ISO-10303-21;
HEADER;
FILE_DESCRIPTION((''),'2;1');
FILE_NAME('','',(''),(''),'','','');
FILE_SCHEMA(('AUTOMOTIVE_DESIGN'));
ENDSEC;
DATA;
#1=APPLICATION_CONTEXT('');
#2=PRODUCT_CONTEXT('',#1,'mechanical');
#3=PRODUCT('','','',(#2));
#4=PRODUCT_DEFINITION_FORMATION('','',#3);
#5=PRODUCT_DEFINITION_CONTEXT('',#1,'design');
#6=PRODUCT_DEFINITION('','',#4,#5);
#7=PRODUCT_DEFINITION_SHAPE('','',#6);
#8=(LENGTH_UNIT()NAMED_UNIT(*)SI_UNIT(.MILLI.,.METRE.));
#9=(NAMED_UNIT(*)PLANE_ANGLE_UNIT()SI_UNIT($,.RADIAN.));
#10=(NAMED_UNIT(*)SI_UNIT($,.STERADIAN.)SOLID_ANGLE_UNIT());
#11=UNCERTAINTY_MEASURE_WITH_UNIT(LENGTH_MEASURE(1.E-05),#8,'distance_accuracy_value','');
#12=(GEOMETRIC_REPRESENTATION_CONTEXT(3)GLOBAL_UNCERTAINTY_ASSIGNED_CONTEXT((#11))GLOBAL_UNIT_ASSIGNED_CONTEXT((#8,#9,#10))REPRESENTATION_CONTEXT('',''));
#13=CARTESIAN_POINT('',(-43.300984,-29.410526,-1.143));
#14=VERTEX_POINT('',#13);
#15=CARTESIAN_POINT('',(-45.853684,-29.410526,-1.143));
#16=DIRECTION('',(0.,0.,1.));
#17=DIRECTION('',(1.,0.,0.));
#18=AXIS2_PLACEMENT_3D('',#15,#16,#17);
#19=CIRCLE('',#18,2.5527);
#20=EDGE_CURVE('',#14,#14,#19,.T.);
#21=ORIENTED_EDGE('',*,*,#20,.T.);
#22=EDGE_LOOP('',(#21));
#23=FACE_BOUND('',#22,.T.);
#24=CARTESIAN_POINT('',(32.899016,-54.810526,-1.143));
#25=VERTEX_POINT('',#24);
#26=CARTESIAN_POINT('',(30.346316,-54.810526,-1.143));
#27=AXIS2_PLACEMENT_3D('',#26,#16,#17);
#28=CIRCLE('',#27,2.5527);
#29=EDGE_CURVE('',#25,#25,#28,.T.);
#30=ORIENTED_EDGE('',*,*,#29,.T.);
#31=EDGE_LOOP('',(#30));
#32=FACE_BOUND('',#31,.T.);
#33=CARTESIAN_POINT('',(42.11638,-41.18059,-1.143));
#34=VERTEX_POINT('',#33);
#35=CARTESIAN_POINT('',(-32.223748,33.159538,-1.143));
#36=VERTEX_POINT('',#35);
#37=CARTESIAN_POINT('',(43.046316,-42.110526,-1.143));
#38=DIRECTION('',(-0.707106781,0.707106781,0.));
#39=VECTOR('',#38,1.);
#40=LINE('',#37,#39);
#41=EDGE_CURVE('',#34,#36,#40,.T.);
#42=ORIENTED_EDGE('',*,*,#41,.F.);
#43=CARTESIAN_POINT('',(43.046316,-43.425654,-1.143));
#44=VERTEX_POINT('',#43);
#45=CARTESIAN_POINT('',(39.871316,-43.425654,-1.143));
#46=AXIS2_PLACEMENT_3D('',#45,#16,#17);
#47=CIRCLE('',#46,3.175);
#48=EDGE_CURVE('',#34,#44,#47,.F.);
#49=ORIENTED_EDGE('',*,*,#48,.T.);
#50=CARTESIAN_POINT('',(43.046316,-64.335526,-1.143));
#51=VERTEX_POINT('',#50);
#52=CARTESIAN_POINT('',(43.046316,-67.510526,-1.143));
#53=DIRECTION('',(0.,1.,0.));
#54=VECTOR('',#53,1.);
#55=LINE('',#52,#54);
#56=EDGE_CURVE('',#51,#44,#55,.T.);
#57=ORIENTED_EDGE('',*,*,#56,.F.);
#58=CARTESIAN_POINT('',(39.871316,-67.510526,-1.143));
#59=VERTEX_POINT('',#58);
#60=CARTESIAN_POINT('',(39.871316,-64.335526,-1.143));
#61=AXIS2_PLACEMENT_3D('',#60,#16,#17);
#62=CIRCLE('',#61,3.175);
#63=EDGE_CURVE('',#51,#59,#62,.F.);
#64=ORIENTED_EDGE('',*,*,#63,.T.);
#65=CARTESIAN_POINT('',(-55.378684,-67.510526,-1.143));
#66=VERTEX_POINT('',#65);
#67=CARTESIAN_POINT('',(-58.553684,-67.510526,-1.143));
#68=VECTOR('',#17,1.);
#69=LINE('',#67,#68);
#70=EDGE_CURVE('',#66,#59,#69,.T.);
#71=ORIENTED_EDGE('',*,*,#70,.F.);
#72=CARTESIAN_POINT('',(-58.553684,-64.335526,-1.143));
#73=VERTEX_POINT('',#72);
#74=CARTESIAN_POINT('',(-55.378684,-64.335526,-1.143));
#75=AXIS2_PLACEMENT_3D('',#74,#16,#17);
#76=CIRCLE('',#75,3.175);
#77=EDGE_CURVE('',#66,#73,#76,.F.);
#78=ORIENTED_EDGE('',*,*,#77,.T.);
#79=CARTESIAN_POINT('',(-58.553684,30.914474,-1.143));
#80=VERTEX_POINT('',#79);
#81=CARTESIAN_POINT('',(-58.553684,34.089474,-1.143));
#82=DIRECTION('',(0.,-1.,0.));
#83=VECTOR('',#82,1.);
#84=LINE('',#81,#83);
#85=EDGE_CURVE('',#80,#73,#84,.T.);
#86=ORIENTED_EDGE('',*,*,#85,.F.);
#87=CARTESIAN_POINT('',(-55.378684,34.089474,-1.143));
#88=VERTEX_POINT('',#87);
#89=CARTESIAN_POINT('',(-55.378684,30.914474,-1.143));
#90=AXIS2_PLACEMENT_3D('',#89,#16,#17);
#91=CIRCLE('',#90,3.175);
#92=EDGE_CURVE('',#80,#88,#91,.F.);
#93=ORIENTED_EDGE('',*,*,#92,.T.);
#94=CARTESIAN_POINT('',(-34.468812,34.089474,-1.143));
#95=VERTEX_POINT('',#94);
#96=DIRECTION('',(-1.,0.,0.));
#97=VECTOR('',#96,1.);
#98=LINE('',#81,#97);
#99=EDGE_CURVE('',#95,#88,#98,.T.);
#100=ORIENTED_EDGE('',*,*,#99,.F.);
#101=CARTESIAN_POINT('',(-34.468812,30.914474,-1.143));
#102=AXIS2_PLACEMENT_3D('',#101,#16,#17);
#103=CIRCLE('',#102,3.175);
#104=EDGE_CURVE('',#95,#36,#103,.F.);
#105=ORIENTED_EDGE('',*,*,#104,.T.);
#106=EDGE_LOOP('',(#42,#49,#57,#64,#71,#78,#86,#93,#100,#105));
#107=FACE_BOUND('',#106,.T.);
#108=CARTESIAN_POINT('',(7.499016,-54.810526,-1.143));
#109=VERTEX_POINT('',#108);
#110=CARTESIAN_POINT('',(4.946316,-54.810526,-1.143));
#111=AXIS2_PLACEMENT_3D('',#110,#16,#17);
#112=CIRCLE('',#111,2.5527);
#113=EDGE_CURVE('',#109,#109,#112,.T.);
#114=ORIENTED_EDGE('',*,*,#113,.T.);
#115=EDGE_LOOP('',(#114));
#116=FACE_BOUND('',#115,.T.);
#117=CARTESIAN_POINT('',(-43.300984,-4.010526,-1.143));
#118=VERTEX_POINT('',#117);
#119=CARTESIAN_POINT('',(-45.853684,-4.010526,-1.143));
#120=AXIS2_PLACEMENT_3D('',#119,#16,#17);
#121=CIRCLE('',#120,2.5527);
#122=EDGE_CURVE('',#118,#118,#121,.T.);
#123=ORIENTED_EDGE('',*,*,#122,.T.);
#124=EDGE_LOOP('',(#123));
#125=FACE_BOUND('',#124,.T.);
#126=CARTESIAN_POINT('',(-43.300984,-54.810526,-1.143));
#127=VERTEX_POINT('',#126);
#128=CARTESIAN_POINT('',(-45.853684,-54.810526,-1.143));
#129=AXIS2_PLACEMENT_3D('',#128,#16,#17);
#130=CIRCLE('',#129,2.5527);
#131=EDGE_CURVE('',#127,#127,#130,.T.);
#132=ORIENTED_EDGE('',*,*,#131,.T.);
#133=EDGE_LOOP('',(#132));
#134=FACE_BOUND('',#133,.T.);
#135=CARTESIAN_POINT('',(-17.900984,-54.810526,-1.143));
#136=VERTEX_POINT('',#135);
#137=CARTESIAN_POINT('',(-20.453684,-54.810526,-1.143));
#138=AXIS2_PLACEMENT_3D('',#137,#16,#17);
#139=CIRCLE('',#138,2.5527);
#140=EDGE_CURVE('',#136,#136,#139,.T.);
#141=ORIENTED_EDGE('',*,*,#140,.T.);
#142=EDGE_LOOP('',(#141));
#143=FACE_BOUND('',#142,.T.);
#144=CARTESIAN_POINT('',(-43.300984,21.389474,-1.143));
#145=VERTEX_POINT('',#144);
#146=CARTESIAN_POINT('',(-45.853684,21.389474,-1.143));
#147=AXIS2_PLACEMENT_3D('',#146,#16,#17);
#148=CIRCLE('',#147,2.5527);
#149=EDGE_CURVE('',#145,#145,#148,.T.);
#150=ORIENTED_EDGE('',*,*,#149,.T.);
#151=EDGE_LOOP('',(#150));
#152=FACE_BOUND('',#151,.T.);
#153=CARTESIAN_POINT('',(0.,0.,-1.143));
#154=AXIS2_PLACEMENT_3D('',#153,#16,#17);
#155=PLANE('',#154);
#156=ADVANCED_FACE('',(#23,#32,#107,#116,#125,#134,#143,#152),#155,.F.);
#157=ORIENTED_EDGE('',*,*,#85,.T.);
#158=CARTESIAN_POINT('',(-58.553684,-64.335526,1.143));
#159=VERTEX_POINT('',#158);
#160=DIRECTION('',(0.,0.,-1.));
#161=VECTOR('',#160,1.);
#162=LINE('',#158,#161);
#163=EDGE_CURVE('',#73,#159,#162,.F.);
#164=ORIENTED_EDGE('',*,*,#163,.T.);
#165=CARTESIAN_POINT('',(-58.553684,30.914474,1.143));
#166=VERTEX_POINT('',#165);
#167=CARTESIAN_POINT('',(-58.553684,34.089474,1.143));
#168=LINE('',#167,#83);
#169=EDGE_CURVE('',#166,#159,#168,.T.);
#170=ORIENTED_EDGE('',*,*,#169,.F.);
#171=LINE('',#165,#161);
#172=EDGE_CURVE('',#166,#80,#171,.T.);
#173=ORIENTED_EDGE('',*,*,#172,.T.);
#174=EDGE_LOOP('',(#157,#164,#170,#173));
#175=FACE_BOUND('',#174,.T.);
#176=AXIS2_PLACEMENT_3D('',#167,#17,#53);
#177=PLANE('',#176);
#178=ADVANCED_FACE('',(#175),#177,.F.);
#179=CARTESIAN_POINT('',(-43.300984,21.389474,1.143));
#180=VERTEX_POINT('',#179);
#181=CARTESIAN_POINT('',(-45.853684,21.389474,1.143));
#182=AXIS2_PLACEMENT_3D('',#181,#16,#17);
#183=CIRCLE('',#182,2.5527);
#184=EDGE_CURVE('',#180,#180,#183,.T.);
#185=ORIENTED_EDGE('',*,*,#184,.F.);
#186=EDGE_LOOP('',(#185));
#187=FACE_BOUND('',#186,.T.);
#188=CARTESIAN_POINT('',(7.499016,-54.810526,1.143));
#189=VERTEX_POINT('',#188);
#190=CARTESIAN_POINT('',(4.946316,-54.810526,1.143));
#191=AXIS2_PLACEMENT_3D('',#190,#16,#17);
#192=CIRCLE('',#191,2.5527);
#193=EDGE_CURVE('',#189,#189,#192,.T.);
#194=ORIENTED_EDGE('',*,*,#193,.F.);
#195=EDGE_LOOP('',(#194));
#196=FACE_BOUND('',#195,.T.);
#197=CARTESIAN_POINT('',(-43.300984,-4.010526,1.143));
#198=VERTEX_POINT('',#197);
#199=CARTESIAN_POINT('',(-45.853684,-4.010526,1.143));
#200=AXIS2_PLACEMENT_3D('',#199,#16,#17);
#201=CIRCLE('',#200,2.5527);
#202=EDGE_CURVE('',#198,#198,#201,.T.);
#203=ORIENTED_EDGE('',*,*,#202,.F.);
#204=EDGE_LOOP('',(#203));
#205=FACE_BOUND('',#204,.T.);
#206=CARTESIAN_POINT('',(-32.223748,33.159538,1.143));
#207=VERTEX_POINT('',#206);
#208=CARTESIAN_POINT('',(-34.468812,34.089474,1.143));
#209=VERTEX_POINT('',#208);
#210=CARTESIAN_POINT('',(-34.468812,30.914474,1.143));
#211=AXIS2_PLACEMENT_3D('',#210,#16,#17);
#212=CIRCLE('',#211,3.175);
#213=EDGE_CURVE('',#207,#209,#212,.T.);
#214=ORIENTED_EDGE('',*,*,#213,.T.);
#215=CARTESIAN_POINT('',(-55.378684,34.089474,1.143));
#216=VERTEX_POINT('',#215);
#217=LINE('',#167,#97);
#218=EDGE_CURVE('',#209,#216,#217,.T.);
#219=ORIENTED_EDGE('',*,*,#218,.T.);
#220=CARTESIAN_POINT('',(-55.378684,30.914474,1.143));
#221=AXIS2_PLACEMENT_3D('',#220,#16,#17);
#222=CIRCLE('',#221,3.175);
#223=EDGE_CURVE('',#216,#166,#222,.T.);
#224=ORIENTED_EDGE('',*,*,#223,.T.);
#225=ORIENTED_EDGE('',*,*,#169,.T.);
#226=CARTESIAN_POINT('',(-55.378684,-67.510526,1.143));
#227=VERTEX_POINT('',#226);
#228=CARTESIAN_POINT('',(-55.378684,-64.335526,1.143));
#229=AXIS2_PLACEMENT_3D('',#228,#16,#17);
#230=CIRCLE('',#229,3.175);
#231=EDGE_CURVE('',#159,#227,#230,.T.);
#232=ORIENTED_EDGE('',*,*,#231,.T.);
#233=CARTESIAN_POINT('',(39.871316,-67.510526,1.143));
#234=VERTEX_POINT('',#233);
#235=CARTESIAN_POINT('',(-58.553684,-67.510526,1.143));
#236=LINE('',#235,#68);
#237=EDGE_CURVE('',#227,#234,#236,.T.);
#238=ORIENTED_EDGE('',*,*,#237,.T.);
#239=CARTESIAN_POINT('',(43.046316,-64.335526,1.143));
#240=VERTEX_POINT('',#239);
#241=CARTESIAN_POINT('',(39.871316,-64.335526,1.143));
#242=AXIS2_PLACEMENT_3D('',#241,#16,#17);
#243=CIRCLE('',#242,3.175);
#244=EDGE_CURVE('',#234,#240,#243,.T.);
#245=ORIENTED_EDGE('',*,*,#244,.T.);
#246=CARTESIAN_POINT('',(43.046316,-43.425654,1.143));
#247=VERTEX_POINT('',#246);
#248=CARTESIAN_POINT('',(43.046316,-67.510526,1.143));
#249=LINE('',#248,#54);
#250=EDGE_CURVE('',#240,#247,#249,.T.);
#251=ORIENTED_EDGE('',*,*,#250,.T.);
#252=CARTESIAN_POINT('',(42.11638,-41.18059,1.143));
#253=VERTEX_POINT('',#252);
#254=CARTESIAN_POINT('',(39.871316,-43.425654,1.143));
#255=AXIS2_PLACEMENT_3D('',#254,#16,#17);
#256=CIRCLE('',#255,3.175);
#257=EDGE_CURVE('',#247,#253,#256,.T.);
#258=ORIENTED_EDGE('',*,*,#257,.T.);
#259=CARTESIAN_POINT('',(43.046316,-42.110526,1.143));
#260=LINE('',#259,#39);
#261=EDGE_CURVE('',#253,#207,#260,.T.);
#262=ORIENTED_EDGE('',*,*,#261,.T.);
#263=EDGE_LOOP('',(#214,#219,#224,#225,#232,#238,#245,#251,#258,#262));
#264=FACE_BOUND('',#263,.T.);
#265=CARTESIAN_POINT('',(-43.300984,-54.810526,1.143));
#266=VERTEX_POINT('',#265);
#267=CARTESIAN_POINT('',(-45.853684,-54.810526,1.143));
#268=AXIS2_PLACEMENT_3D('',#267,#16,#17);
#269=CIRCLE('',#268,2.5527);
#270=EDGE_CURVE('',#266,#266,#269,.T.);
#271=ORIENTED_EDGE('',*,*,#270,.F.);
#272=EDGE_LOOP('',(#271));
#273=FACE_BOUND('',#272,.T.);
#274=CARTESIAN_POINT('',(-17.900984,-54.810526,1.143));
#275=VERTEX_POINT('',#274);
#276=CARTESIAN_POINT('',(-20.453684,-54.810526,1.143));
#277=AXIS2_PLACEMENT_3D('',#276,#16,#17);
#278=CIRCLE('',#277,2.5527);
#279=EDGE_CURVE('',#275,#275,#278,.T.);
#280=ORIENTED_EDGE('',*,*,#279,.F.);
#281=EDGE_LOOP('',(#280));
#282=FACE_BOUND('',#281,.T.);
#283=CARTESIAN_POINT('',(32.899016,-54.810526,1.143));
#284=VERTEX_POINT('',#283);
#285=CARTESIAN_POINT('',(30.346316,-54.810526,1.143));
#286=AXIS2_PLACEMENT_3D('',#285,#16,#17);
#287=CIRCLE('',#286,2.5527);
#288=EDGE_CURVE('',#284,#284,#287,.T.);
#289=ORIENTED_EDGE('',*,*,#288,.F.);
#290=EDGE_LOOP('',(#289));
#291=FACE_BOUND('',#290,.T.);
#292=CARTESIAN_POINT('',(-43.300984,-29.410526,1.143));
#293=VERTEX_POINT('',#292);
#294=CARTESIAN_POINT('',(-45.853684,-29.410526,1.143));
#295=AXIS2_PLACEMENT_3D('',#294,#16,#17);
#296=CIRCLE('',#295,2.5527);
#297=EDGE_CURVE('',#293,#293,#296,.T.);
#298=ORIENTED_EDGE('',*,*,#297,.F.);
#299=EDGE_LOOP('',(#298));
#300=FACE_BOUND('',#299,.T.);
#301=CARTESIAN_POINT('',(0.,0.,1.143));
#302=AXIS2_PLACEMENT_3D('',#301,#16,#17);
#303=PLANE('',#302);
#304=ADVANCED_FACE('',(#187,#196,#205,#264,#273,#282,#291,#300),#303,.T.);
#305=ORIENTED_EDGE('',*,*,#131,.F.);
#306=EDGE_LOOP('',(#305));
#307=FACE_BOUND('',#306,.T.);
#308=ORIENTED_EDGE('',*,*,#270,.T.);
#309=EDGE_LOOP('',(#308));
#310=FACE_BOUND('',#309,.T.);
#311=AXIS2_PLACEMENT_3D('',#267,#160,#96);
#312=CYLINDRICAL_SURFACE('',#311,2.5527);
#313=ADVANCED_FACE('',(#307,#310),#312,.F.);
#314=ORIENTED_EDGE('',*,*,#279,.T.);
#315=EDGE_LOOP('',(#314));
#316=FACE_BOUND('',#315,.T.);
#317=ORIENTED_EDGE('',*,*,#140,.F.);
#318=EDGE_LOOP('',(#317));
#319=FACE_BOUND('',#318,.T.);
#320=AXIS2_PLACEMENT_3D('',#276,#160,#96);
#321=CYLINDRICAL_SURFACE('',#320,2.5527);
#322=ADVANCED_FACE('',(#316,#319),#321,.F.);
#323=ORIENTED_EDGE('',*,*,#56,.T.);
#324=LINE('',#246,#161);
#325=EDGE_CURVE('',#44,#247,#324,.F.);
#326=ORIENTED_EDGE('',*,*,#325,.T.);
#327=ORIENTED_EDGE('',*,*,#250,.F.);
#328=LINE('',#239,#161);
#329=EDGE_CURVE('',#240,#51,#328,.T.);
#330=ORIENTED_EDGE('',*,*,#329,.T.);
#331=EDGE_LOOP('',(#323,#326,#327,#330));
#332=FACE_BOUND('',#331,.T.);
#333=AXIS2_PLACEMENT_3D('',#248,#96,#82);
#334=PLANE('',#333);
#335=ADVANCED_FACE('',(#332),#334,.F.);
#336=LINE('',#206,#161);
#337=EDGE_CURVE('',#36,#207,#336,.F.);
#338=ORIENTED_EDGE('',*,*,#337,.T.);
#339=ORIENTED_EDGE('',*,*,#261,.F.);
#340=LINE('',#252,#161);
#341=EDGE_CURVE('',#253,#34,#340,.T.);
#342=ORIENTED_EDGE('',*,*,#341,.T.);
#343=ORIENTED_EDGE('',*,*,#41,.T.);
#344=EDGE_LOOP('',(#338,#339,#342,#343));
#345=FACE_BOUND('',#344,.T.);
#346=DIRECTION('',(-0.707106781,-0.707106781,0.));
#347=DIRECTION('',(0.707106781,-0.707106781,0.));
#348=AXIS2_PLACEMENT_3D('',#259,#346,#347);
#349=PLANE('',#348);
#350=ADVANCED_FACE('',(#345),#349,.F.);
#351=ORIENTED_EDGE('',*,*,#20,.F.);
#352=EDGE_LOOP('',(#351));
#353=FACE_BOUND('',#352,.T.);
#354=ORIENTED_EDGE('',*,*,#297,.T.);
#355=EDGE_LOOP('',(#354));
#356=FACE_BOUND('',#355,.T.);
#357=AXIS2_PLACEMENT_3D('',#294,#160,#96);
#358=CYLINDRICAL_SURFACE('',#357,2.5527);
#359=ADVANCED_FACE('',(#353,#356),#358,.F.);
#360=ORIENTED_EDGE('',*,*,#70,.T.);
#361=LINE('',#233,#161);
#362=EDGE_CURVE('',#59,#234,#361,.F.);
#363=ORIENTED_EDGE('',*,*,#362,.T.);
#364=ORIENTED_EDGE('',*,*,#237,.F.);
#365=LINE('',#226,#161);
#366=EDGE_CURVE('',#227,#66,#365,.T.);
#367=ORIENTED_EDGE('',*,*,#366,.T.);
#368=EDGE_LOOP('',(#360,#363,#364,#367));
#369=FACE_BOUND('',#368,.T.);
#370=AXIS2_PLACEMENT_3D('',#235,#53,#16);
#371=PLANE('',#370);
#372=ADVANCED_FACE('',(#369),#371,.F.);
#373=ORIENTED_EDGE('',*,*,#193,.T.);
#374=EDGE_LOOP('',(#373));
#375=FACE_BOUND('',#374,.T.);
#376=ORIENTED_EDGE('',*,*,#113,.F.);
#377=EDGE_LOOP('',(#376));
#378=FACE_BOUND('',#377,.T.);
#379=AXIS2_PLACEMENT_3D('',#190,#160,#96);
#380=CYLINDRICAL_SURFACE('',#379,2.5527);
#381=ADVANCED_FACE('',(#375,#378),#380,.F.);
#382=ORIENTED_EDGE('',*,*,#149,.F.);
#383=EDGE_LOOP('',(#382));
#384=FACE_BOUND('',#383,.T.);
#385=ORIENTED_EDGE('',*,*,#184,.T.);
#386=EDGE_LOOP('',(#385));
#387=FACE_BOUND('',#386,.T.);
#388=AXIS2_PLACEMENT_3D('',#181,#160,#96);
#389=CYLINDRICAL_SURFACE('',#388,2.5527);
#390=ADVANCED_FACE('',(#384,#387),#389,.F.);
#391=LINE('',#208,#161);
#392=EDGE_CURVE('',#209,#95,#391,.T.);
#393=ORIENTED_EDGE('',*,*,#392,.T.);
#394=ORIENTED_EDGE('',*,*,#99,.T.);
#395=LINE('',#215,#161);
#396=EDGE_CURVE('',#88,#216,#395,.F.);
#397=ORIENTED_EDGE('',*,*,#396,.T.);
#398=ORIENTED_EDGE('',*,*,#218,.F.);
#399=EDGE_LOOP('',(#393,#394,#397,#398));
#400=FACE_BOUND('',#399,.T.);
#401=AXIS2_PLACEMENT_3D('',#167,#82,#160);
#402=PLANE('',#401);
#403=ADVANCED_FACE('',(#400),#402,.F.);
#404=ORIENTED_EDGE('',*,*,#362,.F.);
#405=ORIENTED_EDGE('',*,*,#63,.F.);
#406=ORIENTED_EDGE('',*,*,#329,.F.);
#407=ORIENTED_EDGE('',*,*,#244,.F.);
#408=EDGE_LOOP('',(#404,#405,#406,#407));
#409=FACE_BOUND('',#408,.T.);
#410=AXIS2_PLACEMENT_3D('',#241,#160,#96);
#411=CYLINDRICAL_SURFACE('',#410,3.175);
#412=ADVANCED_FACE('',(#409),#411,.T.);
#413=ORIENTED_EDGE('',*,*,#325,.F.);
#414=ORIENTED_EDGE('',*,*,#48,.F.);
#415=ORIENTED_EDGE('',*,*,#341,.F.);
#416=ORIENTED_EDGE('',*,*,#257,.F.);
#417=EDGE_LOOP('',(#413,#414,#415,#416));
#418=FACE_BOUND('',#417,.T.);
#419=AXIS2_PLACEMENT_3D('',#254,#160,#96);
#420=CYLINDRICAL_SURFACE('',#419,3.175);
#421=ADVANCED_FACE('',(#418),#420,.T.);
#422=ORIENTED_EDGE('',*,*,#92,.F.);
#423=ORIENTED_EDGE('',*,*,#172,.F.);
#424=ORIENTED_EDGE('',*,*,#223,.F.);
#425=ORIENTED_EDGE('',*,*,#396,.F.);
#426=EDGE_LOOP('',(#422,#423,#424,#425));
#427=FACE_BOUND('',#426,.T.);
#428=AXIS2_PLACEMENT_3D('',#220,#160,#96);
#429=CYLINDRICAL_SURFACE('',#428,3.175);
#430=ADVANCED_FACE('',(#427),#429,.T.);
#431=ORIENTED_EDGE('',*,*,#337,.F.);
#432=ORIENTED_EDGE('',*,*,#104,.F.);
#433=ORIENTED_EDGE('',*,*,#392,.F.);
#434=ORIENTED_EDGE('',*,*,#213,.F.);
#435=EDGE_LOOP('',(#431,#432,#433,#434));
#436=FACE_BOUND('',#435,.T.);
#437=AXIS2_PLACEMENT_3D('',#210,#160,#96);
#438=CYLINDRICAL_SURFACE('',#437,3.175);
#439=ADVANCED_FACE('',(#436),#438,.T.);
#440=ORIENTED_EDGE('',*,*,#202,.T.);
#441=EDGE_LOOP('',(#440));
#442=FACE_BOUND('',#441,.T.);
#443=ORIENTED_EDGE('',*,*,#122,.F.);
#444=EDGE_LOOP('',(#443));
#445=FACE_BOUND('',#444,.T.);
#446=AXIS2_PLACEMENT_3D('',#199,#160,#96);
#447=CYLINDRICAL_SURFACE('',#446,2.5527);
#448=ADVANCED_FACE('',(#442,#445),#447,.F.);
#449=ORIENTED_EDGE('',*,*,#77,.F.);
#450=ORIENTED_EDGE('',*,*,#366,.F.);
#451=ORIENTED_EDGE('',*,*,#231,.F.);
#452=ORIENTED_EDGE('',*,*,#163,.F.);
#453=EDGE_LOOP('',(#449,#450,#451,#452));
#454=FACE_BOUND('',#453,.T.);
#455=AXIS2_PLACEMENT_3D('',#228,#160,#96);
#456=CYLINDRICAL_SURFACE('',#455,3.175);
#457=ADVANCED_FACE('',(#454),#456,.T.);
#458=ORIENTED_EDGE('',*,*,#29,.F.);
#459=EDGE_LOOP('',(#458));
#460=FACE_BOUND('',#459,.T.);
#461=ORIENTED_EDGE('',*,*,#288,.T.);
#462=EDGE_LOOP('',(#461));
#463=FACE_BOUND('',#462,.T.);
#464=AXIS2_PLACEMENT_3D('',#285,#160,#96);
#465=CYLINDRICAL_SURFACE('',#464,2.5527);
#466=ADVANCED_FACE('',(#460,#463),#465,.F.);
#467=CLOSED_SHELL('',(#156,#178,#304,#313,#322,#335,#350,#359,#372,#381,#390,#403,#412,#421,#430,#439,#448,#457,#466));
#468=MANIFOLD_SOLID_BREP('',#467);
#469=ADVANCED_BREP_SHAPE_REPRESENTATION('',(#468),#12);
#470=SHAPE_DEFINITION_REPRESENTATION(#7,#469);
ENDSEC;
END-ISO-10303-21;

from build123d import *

# Parameters (mm, degrees)
SKETCH1_R           = 2.5527
BOSS_EXTRUDE1_DEPTH = 1.143
FILLET1_R           = 3.175


with BuildPart() as part:
    # Sketch1 → Boss-Extrude1 (new, symmetric)
    with BuildSketch(Plane.XY):
        Polygon((43.046315789, -67.510526316), (43.046315789, -42.110526316), (-33.153684211, 34.089473684), (-58.553684211, 34.089473684), (-58.553684211, -67.510526316), align=None)
        with Locations((-45.853684211, 21.389473684)):
            Circle(SKETCH1_R, mode=Mode.SUBTRACT)
        with Locations((-45.853684211, -4.010526316)):
            Circle(SKETCH1_R, mode=Mode.SUBTRACT)
        with Locations((-45.853684211, -29.410526316)):
            Circle(SKETCH1_R, mode=Mode.SUBTRACT)
        with Locations((-45.853684211, -54.810526316)):
            Circle(SKETCH1_R, mode=Mode.SUBTRACT)
        with Locations((-20.453684211, -54.810526316)):
            Circle(SKETCH1_R, mode=Mode.SUBTRACT)
        with Locations((4.946315789, -54.810526316)):
            Circle(SKETCH1_R, mode=Mode.SUBTRACT)
        with Locations((30.346315789, -54.810526316)):
            Circle(SKETCH1_R, mode=Mode.SUBTRACT)
    extrude(amount=BOSS_EXTRUDE1_DEPTH, both=True)

    # Fillet1
    fillet1_edges = [part.edges().sort_by_distance(p)[0] for p in [
        (-58.553684211, 34.089473684, 0),
        (-33.153684211, 34.089473684, 0),
        (43.046315789, -42.110526316, 0),
        (43.046315789, -67.510526316, 0),
        (-58.553684211, -67.510526316, 0),
    ]]
    fillet(fillet1_edges, radius=FILLET1_R)


solid = part.part
